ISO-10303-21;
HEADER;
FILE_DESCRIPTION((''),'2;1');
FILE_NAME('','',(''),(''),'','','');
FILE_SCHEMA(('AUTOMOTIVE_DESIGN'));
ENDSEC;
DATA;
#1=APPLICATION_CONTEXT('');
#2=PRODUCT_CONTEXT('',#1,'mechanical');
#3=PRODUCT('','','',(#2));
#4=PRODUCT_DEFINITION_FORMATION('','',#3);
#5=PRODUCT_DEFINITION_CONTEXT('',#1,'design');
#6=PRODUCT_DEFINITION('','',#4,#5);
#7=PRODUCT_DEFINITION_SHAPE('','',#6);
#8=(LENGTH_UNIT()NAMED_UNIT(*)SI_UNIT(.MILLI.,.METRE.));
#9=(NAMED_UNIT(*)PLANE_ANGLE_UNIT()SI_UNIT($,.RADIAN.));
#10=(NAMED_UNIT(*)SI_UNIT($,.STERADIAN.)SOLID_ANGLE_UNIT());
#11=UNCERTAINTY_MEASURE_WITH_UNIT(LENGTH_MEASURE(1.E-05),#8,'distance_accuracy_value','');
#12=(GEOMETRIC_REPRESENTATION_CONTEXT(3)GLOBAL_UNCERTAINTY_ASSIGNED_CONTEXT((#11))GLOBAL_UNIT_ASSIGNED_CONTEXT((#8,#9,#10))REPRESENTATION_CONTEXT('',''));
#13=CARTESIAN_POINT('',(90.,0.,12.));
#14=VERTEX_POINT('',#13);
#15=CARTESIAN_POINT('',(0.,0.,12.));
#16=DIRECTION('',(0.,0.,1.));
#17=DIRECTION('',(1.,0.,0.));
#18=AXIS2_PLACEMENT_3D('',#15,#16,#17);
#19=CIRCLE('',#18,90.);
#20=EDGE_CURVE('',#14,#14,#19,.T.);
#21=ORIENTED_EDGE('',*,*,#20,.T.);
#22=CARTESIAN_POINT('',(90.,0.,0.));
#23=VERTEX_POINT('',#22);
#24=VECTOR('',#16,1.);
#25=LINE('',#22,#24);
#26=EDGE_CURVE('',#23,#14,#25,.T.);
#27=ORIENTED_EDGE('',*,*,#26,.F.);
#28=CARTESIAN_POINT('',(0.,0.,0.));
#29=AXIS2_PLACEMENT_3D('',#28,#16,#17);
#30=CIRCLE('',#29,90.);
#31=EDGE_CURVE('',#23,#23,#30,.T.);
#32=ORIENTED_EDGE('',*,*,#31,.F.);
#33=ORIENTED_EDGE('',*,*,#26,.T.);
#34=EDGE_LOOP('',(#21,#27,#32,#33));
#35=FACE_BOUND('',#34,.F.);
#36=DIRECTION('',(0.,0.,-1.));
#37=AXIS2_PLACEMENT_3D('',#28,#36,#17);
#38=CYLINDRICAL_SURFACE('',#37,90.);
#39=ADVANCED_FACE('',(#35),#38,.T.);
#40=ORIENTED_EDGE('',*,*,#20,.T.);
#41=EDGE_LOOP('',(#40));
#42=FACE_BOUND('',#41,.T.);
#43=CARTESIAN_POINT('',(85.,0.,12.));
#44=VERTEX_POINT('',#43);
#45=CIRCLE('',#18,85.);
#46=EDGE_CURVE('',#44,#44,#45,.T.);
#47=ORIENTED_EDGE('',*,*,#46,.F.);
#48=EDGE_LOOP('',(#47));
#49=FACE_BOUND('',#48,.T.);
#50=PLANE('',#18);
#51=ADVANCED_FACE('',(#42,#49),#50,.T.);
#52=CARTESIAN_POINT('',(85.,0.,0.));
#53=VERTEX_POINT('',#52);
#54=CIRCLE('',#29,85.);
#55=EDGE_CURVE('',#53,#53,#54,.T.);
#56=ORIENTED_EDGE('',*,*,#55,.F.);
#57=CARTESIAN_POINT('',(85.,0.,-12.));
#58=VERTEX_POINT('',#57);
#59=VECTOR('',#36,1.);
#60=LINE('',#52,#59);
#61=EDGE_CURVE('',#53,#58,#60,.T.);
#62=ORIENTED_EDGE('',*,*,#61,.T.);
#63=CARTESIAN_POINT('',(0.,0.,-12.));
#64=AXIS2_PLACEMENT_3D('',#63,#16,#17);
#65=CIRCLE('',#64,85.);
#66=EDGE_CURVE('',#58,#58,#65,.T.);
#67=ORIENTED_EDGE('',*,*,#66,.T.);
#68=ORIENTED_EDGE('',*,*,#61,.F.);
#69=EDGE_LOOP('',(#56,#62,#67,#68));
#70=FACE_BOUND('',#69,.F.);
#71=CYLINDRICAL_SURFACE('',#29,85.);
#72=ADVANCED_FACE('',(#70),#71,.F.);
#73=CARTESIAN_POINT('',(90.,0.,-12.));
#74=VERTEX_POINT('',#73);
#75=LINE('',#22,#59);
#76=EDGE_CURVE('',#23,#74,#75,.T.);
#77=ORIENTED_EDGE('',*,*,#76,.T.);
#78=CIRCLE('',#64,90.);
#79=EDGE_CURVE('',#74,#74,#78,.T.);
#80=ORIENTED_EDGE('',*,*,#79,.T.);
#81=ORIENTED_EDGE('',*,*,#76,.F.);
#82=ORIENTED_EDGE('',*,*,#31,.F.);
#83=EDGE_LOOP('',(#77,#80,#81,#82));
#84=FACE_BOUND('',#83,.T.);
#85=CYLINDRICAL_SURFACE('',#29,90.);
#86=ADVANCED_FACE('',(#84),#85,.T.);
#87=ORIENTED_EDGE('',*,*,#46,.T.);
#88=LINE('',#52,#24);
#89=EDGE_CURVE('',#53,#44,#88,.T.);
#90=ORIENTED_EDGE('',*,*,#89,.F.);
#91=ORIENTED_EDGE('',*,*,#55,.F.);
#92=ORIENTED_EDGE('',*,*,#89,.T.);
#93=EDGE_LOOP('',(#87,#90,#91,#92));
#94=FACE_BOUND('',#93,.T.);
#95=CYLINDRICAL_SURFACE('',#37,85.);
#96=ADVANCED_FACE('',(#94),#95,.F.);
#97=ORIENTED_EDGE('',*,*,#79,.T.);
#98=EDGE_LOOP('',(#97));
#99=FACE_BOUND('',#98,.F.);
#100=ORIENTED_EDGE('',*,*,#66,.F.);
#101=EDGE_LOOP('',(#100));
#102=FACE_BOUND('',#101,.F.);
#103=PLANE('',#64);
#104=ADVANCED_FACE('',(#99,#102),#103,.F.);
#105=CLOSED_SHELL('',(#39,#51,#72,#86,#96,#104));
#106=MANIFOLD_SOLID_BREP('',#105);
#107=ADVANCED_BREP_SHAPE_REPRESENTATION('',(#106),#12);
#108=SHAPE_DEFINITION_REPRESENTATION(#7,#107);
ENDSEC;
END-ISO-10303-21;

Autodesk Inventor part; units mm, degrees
ref_plane "YZ Plane" through (0, 0, 0) normal (1, 0, 0) x (0, 1, 0)
ref_plane "XZ Plane" through (0, 0, 0) normal (0, 1, 0) x (-1, 0, 0)
ref_plane "XY Plane" through (0, 0, 0) normal (0, 0, 1) x (1, 0, 0)
sketch "Sketch1" plane through (0, 0, 0) normal (0, 0, 1) x (1, 0, 0)
  circle A0 centre (0, 0) radius 90
  circle A1 centre (0, 0) radius 85
  dimension "d0" = 180
  dimension "d1" = 170
extrude "Extrusion1" add sketch "Sketch1" along normal mid plane 24
properties part number "Spacer1_exodos"
